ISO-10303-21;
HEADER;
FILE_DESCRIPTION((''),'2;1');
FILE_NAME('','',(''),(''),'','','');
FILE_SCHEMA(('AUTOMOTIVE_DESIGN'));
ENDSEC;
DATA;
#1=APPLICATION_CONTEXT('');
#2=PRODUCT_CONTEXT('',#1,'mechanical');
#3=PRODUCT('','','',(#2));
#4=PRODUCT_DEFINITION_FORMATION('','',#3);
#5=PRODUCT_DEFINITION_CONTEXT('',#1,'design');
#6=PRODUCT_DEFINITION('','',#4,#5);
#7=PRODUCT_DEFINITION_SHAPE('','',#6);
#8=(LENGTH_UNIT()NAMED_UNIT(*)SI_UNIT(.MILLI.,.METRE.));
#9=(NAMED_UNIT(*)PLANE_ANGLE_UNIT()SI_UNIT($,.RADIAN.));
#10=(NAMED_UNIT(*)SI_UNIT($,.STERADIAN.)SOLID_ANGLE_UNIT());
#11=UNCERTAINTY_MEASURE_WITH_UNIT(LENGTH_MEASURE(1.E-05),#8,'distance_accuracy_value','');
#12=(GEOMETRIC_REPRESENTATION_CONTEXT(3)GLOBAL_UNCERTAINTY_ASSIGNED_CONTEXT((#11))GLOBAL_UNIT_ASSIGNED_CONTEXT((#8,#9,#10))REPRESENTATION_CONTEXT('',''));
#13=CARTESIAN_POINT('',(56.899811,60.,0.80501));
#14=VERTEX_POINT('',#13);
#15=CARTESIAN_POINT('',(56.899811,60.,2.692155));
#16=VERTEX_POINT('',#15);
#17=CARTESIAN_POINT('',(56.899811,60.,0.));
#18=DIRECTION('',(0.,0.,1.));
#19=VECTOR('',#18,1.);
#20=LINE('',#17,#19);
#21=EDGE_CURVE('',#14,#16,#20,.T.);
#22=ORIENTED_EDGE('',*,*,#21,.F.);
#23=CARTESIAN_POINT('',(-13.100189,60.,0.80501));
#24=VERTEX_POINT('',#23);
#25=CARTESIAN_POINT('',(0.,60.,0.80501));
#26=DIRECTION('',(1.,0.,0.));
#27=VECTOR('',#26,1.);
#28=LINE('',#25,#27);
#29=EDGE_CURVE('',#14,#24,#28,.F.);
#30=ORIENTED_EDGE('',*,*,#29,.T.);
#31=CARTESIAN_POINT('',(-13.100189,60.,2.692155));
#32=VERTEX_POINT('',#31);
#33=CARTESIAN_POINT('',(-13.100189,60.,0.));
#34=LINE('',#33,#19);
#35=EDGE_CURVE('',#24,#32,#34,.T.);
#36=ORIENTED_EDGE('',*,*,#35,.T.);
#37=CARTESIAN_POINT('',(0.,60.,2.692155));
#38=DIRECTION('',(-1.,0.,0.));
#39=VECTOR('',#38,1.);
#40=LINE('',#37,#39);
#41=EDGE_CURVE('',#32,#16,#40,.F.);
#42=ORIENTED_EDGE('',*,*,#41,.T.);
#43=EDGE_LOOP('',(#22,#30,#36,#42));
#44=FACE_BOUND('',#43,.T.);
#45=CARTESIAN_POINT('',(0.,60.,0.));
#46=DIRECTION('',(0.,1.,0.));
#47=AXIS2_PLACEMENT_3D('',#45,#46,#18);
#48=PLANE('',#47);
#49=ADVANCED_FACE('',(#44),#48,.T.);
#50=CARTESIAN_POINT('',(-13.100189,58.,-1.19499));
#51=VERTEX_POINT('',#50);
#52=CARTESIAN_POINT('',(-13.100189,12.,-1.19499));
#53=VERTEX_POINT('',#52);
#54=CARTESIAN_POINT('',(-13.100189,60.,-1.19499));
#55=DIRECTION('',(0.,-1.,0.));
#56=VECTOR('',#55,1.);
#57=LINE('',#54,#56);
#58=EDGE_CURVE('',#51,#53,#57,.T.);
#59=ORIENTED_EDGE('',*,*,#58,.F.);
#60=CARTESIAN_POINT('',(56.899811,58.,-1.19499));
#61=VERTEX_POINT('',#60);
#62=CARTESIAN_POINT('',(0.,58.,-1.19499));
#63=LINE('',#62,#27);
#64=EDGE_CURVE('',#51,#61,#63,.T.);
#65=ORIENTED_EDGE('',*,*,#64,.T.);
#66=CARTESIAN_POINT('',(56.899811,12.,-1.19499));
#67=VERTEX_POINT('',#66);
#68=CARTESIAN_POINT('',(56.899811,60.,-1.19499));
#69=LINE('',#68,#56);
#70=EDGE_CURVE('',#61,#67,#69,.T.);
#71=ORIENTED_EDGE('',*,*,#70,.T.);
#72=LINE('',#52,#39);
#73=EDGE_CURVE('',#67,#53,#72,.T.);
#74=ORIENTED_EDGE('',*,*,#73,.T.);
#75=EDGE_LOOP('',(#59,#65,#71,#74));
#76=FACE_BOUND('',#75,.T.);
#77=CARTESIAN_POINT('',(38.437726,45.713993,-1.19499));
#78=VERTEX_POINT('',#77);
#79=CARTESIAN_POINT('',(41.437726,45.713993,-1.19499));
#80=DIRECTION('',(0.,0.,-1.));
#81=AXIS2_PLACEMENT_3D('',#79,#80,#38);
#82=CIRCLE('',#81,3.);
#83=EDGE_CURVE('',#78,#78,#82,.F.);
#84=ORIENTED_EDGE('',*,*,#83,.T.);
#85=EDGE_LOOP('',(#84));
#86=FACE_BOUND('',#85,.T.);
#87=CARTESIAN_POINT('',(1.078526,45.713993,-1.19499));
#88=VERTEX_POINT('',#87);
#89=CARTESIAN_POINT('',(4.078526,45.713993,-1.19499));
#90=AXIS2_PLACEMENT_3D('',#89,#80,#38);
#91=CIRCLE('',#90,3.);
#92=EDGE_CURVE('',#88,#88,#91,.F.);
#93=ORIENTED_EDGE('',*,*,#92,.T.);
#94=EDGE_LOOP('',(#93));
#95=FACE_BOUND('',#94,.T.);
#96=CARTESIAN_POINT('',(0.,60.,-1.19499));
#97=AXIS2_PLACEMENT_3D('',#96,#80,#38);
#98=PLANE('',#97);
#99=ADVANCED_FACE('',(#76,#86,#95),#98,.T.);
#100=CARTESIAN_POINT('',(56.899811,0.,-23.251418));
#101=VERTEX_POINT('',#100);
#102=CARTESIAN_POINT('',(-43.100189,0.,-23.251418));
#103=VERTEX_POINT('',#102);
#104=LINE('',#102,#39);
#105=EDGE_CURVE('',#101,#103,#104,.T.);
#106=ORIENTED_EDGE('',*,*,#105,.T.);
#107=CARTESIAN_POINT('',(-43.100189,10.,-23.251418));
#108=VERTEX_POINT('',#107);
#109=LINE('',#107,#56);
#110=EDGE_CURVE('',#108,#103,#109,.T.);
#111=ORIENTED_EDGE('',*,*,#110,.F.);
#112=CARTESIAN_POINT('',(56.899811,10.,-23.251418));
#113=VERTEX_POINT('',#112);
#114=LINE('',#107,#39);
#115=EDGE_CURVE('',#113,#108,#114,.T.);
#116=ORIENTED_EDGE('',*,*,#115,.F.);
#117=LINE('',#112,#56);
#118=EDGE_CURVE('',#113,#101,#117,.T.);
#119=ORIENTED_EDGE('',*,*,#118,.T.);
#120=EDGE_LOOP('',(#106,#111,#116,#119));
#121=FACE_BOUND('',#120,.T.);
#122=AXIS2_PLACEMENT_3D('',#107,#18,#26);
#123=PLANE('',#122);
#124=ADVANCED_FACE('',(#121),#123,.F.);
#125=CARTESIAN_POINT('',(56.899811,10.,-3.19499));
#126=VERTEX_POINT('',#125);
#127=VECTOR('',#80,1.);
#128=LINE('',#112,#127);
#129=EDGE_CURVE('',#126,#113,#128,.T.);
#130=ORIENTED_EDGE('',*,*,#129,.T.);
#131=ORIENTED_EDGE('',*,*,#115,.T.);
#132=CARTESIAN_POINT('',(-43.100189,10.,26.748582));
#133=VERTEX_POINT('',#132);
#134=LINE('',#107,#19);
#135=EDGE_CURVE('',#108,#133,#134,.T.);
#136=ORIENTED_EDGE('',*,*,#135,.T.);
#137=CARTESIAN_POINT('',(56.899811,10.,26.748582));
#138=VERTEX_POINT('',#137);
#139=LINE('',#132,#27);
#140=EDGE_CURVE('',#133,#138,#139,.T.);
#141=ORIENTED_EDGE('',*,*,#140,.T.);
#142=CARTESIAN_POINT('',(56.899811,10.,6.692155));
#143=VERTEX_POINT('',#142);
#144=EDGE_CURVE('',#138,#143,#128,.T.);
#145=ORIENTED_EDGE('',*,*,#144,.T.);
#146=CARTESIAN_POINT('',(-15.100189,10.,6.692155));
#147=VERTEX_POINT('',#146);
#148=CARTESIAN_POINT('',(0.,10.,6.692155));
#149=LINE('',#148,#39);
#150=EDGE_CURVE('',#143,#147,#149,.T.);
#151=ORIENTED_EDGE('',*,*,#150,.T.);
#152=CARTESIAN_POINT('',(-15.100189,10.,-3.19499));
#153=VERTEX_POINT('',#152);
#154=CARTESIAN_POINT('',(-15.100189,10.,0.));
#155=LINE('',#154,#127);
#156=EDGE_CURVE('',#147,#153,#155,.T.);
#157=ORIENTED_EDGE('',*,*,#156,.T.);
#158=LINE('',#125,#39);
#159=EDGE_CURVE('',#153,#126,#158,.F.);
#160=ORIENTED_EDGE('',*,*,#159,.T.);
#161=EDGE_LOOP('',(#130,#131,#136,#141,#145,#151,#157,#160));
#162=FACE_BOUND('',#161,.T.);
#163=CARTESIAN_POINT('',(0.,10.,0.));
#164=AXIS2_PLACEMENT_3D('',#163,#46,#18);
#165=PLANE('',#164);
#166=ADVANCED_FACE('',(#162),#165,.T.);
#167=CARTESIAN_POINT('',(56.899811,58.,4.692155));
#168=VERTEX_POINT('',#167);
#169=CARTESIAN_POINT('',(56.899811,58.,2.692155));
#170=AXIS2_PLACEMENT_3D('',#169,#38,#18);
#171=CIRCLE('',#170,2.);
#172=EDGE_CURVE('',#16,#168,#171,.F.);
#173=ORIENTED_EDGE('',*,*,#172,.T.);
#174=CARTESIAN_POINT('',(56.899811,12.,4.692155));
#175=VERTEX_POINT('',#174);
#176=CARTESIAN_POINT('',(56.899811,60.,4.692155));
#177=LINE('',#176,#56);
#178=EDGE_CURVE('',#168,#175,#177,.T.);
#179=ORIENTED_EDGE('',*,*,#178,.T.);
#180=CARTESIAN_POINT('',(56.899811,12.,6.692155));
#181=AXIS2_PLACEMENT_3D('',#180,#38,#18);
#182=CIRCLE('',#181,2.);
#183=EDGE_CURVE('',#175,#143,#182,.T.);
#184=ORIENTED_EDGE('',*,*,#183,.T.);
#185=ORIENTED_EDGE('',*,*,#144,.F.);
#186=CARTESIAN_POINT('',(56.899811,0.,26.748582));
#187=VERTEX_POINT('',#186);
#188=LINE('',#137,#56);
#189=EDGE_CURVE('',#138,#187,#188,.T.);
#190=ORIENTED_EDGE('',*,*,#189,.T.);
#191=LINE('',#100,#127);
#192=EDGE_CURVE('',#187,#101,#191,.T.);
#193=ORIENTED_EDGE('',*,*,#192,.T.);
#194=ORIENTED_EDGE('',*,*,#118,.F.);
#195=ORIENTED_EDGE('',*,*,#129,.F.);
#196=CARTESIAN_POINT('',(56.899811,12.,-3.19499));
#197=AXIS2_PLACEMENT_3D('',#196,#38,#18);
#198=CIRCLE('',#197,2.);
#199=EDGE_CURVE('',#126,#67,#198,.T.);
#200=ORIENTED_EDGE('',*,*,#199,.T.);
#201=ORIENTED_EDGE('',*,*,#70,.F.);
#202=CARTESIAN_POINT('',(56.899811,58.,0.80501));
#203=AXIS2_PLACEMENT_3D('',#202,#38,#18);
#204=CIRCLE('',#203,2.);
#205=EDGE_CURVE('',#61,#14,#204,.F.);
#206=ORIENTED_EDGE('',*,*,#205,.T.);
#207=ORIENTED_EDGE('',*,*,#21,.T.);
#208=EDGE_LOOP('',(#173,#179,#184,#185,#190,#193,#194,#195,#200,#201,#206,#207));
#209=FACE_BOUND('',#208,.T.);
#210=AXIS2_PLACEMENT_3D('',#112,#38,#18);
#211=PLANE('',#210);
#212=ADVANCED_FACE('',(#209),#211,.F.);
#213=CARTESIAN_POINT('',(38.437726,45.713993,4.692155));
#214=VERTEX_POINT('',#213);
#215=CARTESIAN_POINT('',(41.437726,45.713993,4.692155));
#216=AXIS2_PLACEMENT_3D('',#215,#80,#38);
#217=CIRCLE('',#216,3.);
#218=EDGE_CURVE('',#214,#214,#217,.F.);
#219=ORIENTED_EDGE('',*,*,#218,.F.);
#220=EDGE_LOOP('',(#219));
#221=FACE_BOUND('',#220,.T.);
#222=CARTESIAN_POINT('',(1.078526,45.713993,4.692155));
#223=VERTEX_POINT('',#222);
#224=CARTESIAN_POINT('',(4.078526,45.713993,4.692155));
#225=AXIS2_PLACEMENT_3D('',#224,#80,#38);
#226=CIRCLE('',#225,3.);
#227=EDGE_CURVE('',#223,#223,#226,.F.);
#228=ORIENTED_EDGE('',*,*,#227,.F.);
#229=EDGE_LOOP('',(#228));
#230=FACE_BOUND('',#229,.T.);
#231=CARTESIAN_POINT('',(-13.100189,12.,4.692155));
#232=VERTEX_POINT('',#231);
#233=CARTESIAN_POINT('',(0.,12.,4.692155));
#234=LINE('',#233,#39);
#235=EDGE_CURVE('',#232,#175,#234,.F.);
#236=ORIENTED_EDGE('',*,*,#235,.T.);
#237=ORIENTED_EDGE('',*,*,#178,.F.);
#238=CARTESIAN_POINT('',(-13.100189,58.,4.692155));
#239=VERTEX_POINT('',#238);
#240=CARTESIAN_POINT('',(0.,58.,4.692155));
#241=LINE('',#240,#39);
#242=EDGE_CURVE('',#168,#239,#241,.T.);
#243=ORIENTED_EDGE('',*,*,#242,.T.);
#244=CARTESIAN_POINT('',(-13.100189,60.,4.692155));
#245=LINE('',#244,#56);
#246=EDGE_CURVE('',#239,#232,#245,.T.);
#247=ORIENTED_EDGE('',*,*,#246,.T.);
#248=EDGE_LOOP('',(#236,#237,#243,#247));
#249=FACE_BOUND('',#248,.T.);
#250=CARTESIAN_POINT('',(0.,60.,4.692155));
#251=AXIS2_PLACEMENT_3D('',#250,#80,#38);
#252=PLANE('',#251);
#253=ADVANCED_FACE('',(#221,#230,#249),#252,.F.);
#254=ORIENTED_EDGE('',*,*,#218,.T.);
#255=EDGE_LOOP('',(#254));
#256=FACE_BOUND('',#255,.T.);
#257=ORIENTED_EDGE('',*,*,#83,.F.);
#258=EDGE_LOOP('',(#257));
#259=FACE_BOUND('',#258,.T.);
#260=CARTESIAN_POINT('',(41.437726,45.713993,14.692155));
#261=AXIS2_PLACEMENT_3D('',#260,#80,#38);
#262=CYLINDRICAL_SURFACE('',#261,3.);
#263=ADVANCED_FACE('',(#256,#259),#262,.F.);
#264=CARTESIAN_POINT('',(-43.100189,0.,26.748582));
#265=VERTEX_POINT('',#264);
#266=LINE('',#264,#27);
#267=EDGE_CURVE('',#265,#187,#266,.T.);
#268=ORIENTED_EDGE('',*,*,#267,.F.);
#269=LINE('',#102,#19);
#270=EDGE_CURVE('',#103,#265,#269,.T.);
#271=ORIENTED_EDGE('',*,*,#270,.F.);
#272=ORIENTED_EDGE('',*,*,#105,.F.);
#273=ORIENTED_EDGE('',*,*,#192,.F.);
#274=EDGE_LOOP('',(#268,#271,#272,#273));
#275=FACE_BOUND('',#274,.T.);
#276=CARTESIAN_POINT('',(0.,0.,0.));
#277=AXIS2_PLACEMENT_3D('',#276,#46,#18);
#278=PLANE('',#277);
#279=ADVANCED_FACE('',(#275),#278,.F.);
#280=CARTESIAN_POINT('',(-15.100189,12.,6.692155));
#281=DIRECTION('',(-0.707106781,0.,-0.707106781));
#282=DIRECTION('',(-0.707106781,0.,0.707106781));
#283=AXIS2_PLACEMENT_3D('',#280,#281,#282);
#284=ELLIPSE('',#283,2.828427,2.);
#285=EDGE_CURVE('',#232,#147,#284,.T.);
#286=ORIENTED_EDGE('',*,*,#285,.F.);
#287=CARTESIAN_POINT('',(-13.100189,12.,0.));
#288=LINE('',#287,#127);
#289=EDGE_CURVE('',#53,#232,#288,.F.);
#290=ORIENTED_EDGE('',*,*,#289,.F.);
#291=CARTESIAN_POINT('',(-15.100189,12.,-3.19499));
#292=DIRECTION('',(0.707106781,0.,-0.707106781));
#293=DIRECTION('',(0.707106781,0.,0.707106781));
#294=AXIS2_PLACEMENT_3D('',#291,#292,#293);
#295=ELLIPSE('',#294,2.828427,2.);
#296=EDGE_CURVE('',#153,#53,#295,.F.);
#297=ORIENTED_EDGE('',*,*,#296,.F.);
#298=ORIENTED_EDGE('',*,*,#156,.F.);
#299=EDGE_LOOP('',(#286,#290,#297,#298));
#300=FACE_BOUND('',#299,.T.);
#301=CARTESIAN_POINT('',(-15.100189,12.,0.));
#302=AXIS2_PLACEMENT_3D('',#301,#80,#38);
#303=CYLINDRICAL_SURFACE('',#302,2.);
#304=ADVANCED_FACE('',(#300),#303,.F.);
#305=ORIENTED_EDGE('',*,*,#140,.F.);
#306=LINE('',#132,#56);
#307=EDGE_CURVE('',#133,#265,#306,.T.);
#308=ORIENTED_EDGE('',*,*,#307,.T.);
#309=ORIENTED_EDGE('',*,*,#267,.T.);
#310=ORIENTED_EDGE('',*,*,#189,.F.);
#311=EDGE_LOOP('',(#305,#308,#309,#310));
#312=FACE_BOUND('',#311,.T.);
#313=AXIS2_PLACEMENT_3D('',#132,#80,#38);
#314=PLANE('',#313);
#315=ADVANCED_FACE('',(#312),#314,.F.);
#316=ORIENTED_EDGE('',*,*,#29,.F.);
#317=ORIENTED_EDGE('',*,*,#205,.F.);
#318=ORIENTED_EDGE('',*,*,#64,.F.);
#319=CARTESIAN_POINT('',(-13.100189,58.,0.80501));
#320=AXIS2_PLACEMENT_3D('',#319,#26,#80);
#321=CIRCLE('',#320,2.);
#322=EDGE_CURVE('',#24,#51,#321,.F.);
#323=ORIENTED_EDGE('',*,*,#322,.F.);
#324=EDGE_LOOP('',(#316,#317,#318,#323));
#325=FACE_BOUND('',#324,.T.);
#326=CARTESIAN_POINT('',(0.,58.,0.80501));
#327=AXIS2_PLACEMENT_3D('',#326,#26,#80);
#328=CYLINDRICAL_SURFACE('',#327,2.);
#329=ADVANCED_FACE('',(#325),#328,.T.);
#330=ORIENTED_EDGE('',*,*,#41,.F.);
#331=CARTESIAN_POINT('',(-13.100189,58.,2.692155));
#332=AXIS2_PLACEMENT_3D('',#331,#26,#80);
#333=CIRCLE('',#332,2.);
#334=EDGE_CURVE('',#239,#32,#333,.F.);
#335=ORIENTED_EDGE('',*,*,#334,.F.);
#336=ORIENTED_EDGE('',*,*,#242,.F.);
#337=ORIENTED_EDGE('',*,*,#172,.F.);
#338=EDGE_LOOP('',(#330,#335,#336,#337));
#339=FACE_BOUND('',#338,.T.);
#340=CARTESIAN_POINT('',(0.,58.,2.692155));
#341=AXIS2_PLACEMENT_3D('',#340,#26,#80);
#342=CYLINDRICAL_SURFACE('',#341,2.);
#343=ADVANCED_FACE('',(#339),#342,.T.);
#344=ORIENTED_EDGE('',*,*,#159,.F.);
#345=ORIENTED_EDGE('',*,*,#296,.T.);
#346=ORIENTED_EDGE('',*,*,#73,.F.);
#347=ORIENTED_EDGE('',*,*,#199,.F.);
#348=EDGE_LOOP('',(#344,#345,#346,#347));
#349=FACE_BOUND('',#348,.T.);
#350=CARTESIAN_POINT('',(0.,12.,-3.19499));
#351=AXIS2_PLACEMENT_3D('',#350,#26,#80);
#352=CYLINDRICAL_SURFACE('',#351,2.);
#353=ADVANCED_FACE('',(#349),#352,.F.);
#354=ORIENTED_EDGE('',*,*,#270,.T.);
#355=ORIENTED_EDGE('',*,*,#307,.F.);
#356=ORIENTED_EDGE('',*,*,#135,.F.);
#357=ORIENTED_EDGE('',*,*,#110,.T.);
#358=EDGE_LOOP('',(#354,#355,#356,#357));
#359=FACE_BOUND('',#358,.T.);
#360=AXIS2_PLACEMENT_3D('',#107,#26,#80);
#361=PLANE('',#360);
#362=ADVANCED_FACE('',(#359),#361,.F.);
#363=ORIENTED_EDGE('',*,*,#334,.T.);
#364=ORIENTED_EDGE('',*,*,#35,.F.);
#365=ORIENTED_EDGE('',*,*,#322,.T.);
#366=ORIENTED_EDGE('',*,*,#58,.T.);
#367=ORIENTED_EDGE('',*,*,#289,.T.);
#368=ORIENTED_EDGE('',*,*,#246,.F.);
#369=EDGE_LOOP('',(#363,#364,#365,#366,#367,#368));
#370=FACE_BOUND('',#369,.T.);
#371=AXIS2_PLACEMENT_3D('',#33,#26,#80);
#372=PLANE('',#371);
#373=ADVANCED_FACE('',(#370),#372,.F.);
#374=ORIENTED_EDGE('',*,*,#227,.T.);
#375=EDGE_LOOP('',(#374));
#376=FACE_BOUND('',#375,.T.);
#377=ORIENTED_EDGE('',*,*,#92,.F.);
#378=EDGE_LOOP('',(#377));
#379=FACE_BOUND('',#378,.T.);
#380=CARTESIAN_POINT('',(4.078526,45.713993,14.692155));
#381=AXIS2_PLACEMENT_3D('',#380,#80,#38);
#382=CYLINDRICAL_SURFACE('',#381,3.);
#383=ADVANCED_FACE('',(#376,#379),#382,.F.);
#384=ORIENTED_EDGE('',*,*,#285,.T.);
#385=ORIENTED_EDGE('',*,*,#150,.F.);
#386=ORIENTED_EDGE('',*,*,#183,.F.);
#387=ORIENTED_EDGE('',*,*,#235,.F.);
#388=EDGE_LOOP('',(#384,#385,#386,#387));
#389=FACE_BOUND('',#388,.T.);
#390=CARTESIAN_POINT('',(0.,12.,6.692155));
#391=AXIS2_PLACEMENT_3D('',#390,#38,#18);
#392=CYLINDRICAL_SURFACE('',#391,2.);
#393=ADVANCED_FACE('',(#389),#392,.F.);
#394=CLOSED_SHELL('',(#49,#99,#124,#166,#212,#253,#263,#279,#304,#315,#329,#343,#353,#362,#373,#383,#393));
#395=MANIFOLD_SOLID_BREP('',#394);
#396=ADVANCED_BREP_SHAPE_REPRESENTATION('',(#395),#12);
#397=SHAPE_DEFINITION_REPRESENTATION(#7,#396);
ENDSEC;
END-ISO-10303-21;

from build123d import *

# Parameters (mm, degrees)
SKETCH1_W               = 100
SKETCH1_H               = 50
BOSS_EXTRUDE1_DEPTH     = 10
SKETCH2_W               = 70
SKETCH2_H               = 5.887144663
BOSS_EXTRUDE2_DEPTH     = 60
SKETCH3_R               = 3
CUT_EXTRUDE1_DEPTH      = 10
CUT_EXTRUDE1_DEPTH_BACK = 10
FILLET1_R               = 2
FILLET2_R               = 2
FILLET3_R               = 2
FILLET4_R               = 2
FILLET5_R               = 2


with BuildPart() as part:
    # Sketch1 → Boss-Extrude1 (new body)
    with BuildSketch(Plane(origin=(0, 0, 0), x_dir=(1, 0, 0), z_dir=(0, 1, 0))):
        with Locations((6.899810964, -1.748582231)):
            Rectangle(SKETCH1_W, SKETCH1_H)
    extrude(amount=BOSS_EXTRUDE1_DEPTH)

    # Sketch2 → Boss-Extrude2 (add)
    with BuildSketch(Plane(origin=(0, 0, 0), x_dir=(1, 0, 0), z_dir=(0, 1, 0))):
        with Locations((21.899810964, -1.748582231)):
            Rectangle(SKETCH2_W, SKETCH2_H)
    extrude(amount=BOSS_EXTRUDE2_DEPTH)

    # Sketch3 → Cut-Extrude1 (cut, two sides)
    with BuildSketch(Plane.XY.offset(4.692154562)) as cut_extrude1_sk:
        with Locations(Location((4.078525913, 45.713993349, 0), (0, 0, 180))):  # turned: the seam where the file's is
            Circle(SKETCH3_R)
        with Locations(Location((41.437726316, 45.713993349, 0), (0, 0, 180))):  # turned: the seam where the file's is
            Circle(SKETCH3_R)
    extrude(amount=CUT_EXTRUDE1_DEPTH, mode=Mode.SUBTRACT)
    extrude(cut_extrude1_sk.sketch, amount=-CUT_EXTRUDE1_DEPTH_BACK, mode=Mode.SUBTRACT)

    # Fillet1
    fillet1_edges = [part.edges().sort_by_distance(p)[0] for p in [
        (21.899810964, 60, 4.692154562),
    ]]
    fillet(fillet1_edges, radius=FILLET1_R)

    # Fillet2
    fillet2_edges = [part.edges().sort_by_distance(p)[0] for p in [
        (21.899810964, 60, -1.194990101),
    ]]
    fillet(fillet2_edges, radius=FILLET2_R)

    # Fillet3
    fillet3_edges = [part.edges().sort_by_distance(p)[0] for p in [
        (21.899810964, 10, -1.194990101),
    ]]
    fillet(fillet3_edges, radius=FILLET3_R)

    # Fillet4
    fillet4_edges = [part.edges().sort_by_distance(p)[0] for p in [
        (21.899810964, 10, 4.692154562),
    ]]
    fillet(fillet4_edges, radius=FILLET4_R)

    # Fillet5
    fillet5_edges = [part.edges().sort_by_distance(p)[0] for p in [
        (-13.100189036, 10, 1.748582231),
    ]]
    fillet(fillet5_edges, radius=FILLET5_R)


solid = part.part
